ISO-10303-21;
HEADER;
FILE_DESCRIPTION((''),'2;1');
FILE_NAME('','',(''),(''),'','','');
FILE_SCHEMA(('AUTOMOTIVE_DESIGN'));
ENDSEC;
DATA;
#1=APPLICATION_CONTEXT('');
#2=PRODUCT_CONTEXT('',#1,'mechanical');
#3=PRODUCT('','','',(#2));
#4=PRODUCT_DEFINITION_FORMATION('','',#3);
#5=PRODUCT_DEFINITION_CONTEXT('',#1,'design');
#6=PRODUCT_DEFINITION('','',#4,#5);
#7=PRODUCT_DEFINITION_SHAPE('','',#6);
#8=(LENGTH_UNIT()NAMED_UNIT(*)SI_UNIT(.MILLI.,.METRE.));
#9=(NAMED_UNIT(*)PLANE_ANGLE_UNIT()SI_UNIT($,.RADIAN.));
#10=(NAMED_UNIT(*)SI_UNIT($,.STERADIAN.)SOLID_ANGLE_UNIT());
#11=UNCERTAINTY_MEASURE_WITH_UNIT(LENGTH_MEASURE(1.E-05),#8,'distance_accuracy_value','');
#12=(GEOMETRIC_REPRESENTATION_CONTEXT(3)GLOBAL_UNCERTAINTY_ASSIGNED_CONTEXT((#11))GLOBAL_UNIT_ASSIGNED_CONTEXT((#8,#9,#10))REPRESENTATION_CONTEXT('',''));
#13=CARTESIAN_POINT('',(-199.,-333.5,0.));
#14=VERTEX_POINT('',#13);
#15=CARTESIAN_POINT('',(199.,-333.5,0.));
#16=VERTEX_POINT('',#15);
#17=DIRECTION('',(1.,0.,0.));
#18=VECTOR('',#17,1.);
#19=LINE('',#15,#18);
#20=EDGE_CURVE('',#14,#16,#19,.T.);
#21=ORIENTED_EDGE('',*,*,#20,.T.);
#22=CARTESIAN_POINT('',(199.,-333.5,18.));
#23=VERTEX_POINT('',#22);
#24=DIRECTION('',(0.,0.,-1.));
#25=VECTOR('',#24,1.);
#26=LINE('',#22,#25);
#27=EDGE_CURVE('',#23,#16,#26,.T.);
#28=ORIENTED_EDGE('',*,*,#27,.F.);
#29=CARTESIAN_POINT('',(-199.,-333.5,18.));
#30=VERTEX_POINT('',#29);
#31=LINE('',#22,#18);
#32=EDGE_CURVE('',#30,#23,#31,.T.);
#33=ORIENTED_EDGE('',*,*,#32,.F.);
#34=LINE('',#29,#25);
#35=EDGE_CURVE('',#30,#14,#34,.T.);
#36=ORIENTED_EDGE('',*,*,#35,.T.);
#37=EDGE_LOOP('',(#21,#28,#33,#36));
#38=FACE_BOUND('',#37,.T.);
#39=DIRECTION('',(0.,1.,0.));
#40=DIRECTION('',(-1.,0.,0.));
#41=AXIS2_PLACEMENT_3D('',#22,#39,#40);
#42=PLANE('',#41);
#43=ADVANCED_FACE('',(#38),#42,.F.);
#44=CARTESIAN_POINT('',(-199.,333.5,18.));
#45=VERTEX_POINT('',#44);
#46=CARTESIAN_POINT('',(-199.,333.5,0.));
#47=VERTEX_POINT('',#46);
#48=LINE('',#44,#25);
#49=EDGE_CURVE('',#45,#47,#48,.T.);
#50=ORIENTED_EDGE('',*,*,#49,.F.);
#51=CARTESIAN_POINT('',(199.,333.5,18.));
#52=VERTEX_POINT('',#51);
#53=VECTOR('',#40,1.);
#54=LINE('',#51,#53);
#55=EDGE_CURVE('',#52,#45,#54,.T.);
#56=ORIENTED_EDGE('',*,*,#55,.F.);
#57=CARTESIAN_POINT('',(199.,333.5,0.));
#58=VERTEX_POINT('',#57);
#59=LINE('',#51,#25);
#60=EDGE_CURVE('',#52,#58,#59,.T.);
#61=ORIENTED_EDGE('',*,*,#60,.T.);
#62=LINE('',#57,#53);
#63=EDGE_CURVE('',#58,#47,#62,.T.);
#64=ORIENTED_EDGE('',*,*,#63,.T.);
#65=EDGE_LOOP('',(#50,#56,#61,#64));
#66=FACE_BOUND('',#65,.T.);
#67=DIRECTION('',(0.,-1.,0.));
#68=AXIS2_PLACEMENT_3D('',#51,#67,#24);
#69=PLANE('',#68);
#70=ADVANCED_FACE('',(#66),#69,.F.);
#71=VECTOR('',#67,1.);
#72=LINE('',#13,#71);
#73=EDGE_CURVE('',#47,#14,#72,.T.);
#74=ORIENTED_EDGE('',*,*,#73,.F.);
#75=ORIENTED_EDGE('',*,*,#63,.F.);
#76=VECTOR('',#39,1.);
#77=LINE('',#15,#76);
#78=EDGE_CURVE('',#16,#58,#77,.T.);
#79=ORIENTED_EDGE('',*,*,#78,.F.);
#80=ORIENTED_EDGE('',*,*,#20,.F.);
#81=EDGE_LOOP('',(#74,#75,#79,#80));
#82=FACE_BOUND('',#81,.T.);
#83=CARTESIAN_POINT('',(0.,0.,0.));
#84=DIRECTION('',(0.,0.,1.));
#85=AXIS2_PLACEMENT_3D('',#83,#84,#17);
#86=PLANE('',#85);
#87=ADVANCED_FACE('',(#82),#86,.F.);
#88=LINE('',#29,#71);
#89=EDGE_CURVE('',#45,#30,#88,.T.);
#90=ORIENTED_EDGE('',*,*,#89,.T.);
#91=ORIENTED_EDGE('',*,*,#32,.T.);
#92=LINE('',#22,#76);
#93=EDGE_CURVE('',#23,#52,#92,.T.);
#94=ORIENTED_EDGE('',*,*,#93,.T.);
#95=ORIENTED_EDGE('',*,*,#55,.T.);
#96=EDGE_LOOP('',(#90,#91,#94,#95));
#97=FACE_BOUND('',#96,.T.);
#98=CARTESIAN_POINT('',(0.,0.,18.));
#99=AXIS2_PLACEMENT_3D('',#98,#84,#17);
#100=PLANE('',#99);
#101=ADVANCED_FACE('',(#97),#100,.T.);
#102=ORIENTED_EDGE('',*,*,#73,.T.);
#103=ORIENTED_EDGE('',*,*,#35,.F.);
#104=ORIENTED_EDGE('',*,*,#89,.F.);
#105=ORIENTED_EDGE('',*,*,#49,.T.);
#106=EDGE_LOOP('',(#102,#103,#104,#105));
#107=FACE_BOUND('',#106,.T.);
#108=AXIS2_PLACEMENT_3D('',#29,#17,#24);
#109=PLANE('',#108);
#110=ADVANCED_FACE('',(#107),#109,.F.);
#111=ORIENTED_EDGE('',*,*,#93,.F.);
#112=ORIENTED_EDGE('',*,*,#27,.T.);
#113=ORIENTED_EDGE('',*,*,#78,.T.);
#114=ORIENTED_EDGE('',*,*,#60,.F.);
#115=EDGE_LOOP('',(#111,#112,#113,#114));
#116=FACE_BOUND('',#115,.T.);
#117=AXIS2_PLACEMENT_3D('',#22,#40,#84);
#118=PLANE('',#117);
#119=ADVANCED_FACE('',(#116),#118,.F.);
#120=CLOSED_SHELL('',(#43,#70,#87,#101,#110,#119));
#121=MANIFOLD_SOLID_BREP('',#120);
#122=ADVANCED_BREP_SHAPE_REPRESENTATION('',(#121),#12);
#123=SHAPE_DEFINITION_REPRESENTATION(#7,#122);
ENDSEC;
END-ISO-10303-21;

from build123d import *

# Parameters (mm, degrees)
SKETCH1_W           = 398
SKETCH1_H           = 667
BOSS_EXTRUDE1_DEPTH = 18


with BuildPart() as part:
    # Sketch1 → Boss-Extrude1 (new body)
    with BuildSketch(Plane.XY):
        Rectangle(SKETCH1_W, SKETCH1_H)
    extrude(amount=BOSS_EXTRUDE1_DEPTH)


solid = part.part
